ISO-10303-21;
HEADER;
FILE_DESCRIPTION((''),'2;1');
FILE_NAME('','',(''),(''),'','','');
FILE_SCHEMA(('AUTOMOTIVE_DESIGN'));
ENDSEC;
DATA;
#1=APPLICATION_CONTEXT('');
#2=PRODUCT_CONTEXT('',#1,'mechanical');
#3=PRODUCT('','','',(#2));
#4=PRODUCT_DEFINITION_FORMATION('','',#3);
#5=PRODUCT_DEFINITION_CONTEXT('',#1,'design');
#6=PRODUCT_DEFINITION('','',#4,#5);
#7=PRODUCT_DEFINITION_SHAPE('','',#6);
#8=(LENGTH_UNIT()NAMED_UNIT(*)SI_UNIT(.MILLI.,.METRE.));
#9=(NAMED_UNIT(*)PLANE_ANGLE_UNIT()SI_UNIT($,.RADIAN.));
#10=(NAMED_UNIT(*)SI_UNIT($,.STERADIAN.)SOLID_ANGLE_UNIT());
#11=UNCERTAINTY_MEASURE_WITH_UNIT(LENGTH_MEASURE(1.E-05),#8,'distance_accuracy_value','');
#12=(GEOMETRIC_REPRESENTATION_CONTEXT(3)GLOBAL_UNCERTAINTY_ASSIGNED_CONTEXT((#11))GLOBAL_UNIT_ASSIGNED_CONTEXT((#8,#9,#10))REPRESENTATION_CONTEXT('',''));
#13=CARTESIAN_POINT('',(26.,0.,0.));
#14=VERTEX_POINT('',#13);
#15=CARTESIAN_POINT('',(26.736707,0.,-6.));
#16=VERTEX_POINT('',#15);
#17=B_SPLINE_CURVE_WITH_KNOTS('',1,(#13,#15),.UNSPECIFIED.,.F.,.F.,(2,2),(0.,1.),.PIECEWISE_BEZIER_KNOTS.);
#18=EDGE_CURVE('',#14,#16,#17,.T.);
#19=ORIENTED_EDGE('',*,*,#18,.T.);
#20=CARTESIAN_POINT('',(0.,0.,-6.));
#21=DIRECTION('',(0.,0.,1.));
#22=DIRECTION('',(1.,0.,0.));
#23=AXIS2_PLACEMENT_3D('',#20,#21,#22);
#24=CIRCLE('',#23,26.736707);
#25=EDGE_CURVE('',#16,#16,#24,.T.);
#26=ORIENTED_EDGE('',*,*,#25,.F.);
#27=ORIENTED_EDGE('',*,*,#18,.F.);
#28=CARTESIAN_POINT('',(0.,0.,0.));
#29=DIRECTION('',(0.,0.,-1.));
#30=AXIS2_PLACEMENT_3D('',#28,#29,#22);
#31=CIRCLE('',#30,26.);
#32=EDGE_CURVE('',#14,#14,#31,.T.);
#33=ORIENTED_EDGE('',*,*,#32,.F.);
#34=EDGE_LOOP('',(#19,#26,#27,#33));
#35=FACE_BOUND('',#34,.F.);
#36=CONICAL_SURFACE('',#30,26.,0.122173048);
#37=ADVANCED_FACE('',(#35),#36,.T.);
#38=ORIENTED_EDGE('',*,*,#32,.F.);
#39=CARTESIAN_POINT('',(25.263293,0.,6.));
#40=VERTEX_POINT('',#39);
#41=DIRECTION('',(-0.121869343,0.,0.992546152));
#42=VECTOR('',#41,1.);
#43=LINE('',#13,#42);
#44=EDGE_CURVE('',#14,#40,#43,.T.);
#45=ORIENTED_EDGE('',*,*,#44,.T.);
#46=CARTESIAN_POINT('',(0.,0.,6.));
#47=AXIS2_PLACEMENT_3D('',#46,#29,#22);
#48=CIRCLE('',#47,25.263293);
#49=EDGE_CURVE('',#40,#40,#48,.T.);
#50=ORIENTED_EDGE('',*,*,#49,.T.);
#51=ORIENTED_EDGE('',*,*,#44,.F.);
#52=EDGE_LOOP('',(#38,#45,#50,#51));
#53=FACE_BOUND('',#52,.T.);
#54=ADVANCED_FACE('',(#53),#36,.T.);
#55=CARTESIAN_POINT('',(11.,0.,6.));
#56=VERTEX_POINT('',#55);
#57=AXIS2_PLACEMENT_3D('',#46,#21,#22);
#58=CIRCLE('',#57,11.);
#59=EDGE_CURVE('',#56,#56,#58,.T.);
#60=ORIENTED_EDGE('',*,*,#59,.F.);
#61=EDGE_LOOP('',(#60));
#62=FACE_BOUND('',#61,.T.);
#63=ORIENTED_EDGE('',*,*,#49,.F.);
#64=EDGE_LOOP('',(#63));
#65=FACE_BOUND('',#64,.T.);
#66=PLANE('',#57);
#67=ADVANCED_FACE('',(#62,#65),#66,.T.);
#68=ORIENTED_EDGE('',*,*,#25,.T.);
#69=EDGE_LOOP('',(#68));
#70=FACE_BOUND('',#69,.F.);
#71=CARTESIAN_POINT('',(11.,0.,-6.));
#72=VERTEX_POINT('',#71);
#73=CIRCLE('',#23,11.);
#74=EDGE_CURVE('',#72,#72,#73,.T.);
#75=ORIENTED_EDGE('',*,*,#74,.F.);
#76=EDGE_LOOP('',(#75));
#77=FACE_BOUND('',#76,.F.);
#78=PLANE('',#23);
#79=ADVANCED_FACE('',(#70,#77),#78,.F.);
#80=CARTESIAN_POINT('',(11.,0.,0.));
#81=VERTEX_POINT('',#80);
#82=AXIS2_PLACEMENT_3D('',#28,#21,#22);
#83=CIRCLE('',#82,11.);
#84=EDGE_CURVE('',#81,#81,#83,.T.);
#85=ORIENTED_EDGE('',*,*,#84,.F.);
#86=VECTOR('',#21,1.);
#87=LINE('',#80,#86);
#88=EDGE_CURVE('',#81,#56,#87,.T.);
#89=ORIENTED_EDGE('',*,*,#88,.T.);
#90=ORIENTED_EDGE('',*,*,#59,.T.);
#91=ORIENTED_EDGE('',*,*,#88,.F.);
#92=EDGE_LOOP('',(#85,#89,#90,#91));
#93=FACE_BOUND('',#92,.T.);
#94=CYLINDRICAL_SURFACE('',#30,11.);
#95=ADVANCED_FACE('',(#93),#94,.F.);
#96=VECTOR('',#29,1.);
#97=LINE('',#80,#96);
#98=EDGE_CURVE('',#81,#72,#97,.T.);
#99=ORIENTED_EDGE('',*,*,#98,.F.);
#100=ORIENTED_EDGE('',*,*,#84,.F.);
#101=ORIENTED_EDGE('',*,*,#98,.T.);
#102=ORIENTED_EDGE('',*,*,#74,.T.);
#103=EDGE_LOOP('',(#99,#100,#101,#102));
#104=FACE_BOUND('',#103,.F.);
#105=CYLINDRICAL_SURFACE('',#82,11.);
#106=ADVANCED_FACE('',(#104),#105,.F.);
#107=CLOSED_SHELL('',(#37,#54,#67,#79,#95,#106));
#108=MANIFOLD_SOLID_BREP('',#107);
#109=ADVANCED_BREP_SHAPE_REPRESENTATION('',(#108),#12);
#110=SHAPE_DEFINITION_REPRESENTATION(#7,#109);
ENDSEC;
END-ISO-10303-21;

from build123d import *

# Parameters (mm, degrees)
F0_R          = 26
F0_R_2        = 11
F1_DEPTH      = 6
F1_TAPER      = 7
F2_DEPTH      = 6
F2_TAPER      = -7
F3_DEPTH      = 6
F3_DEPTH_BACK = 6


with BuildPart() as f1:
    # F0 (on Top) → F1 (new body)
    with BuildSketch(Plane.XY):
        Circle(F0_R)
        Circle(F0_R_2, mode=Mode.SUBTRACT)
        Circle(F0_R_2)
    extrude(amount=F1_DEPTH, taper=F1_TAPER)

    # F0 (on Top) → F2 (join)
    with BuildSketch(Plane.XY):
        Circle(F0_R)
        Circle(F0_R_2, mode=Mode.SUBTRACT)
        Circle(F0_R_2)
    extrude(amount=-F2_DEPTH, taper=F2_TAPER)

    # F0 (on Top) → F3 (cut, two sides)
    with BuildSketch(Plane.XY) as f3_sk:
        Circle(F0_R_2)
    extrude(amount=F3_DEPTH, mode=Mode.SUBTRACT)
    extrude(f3_sk.sketch, amount=-F3_DEPTH_BACK, mode=Mode.SUBTRACT)


solid = f1.part
